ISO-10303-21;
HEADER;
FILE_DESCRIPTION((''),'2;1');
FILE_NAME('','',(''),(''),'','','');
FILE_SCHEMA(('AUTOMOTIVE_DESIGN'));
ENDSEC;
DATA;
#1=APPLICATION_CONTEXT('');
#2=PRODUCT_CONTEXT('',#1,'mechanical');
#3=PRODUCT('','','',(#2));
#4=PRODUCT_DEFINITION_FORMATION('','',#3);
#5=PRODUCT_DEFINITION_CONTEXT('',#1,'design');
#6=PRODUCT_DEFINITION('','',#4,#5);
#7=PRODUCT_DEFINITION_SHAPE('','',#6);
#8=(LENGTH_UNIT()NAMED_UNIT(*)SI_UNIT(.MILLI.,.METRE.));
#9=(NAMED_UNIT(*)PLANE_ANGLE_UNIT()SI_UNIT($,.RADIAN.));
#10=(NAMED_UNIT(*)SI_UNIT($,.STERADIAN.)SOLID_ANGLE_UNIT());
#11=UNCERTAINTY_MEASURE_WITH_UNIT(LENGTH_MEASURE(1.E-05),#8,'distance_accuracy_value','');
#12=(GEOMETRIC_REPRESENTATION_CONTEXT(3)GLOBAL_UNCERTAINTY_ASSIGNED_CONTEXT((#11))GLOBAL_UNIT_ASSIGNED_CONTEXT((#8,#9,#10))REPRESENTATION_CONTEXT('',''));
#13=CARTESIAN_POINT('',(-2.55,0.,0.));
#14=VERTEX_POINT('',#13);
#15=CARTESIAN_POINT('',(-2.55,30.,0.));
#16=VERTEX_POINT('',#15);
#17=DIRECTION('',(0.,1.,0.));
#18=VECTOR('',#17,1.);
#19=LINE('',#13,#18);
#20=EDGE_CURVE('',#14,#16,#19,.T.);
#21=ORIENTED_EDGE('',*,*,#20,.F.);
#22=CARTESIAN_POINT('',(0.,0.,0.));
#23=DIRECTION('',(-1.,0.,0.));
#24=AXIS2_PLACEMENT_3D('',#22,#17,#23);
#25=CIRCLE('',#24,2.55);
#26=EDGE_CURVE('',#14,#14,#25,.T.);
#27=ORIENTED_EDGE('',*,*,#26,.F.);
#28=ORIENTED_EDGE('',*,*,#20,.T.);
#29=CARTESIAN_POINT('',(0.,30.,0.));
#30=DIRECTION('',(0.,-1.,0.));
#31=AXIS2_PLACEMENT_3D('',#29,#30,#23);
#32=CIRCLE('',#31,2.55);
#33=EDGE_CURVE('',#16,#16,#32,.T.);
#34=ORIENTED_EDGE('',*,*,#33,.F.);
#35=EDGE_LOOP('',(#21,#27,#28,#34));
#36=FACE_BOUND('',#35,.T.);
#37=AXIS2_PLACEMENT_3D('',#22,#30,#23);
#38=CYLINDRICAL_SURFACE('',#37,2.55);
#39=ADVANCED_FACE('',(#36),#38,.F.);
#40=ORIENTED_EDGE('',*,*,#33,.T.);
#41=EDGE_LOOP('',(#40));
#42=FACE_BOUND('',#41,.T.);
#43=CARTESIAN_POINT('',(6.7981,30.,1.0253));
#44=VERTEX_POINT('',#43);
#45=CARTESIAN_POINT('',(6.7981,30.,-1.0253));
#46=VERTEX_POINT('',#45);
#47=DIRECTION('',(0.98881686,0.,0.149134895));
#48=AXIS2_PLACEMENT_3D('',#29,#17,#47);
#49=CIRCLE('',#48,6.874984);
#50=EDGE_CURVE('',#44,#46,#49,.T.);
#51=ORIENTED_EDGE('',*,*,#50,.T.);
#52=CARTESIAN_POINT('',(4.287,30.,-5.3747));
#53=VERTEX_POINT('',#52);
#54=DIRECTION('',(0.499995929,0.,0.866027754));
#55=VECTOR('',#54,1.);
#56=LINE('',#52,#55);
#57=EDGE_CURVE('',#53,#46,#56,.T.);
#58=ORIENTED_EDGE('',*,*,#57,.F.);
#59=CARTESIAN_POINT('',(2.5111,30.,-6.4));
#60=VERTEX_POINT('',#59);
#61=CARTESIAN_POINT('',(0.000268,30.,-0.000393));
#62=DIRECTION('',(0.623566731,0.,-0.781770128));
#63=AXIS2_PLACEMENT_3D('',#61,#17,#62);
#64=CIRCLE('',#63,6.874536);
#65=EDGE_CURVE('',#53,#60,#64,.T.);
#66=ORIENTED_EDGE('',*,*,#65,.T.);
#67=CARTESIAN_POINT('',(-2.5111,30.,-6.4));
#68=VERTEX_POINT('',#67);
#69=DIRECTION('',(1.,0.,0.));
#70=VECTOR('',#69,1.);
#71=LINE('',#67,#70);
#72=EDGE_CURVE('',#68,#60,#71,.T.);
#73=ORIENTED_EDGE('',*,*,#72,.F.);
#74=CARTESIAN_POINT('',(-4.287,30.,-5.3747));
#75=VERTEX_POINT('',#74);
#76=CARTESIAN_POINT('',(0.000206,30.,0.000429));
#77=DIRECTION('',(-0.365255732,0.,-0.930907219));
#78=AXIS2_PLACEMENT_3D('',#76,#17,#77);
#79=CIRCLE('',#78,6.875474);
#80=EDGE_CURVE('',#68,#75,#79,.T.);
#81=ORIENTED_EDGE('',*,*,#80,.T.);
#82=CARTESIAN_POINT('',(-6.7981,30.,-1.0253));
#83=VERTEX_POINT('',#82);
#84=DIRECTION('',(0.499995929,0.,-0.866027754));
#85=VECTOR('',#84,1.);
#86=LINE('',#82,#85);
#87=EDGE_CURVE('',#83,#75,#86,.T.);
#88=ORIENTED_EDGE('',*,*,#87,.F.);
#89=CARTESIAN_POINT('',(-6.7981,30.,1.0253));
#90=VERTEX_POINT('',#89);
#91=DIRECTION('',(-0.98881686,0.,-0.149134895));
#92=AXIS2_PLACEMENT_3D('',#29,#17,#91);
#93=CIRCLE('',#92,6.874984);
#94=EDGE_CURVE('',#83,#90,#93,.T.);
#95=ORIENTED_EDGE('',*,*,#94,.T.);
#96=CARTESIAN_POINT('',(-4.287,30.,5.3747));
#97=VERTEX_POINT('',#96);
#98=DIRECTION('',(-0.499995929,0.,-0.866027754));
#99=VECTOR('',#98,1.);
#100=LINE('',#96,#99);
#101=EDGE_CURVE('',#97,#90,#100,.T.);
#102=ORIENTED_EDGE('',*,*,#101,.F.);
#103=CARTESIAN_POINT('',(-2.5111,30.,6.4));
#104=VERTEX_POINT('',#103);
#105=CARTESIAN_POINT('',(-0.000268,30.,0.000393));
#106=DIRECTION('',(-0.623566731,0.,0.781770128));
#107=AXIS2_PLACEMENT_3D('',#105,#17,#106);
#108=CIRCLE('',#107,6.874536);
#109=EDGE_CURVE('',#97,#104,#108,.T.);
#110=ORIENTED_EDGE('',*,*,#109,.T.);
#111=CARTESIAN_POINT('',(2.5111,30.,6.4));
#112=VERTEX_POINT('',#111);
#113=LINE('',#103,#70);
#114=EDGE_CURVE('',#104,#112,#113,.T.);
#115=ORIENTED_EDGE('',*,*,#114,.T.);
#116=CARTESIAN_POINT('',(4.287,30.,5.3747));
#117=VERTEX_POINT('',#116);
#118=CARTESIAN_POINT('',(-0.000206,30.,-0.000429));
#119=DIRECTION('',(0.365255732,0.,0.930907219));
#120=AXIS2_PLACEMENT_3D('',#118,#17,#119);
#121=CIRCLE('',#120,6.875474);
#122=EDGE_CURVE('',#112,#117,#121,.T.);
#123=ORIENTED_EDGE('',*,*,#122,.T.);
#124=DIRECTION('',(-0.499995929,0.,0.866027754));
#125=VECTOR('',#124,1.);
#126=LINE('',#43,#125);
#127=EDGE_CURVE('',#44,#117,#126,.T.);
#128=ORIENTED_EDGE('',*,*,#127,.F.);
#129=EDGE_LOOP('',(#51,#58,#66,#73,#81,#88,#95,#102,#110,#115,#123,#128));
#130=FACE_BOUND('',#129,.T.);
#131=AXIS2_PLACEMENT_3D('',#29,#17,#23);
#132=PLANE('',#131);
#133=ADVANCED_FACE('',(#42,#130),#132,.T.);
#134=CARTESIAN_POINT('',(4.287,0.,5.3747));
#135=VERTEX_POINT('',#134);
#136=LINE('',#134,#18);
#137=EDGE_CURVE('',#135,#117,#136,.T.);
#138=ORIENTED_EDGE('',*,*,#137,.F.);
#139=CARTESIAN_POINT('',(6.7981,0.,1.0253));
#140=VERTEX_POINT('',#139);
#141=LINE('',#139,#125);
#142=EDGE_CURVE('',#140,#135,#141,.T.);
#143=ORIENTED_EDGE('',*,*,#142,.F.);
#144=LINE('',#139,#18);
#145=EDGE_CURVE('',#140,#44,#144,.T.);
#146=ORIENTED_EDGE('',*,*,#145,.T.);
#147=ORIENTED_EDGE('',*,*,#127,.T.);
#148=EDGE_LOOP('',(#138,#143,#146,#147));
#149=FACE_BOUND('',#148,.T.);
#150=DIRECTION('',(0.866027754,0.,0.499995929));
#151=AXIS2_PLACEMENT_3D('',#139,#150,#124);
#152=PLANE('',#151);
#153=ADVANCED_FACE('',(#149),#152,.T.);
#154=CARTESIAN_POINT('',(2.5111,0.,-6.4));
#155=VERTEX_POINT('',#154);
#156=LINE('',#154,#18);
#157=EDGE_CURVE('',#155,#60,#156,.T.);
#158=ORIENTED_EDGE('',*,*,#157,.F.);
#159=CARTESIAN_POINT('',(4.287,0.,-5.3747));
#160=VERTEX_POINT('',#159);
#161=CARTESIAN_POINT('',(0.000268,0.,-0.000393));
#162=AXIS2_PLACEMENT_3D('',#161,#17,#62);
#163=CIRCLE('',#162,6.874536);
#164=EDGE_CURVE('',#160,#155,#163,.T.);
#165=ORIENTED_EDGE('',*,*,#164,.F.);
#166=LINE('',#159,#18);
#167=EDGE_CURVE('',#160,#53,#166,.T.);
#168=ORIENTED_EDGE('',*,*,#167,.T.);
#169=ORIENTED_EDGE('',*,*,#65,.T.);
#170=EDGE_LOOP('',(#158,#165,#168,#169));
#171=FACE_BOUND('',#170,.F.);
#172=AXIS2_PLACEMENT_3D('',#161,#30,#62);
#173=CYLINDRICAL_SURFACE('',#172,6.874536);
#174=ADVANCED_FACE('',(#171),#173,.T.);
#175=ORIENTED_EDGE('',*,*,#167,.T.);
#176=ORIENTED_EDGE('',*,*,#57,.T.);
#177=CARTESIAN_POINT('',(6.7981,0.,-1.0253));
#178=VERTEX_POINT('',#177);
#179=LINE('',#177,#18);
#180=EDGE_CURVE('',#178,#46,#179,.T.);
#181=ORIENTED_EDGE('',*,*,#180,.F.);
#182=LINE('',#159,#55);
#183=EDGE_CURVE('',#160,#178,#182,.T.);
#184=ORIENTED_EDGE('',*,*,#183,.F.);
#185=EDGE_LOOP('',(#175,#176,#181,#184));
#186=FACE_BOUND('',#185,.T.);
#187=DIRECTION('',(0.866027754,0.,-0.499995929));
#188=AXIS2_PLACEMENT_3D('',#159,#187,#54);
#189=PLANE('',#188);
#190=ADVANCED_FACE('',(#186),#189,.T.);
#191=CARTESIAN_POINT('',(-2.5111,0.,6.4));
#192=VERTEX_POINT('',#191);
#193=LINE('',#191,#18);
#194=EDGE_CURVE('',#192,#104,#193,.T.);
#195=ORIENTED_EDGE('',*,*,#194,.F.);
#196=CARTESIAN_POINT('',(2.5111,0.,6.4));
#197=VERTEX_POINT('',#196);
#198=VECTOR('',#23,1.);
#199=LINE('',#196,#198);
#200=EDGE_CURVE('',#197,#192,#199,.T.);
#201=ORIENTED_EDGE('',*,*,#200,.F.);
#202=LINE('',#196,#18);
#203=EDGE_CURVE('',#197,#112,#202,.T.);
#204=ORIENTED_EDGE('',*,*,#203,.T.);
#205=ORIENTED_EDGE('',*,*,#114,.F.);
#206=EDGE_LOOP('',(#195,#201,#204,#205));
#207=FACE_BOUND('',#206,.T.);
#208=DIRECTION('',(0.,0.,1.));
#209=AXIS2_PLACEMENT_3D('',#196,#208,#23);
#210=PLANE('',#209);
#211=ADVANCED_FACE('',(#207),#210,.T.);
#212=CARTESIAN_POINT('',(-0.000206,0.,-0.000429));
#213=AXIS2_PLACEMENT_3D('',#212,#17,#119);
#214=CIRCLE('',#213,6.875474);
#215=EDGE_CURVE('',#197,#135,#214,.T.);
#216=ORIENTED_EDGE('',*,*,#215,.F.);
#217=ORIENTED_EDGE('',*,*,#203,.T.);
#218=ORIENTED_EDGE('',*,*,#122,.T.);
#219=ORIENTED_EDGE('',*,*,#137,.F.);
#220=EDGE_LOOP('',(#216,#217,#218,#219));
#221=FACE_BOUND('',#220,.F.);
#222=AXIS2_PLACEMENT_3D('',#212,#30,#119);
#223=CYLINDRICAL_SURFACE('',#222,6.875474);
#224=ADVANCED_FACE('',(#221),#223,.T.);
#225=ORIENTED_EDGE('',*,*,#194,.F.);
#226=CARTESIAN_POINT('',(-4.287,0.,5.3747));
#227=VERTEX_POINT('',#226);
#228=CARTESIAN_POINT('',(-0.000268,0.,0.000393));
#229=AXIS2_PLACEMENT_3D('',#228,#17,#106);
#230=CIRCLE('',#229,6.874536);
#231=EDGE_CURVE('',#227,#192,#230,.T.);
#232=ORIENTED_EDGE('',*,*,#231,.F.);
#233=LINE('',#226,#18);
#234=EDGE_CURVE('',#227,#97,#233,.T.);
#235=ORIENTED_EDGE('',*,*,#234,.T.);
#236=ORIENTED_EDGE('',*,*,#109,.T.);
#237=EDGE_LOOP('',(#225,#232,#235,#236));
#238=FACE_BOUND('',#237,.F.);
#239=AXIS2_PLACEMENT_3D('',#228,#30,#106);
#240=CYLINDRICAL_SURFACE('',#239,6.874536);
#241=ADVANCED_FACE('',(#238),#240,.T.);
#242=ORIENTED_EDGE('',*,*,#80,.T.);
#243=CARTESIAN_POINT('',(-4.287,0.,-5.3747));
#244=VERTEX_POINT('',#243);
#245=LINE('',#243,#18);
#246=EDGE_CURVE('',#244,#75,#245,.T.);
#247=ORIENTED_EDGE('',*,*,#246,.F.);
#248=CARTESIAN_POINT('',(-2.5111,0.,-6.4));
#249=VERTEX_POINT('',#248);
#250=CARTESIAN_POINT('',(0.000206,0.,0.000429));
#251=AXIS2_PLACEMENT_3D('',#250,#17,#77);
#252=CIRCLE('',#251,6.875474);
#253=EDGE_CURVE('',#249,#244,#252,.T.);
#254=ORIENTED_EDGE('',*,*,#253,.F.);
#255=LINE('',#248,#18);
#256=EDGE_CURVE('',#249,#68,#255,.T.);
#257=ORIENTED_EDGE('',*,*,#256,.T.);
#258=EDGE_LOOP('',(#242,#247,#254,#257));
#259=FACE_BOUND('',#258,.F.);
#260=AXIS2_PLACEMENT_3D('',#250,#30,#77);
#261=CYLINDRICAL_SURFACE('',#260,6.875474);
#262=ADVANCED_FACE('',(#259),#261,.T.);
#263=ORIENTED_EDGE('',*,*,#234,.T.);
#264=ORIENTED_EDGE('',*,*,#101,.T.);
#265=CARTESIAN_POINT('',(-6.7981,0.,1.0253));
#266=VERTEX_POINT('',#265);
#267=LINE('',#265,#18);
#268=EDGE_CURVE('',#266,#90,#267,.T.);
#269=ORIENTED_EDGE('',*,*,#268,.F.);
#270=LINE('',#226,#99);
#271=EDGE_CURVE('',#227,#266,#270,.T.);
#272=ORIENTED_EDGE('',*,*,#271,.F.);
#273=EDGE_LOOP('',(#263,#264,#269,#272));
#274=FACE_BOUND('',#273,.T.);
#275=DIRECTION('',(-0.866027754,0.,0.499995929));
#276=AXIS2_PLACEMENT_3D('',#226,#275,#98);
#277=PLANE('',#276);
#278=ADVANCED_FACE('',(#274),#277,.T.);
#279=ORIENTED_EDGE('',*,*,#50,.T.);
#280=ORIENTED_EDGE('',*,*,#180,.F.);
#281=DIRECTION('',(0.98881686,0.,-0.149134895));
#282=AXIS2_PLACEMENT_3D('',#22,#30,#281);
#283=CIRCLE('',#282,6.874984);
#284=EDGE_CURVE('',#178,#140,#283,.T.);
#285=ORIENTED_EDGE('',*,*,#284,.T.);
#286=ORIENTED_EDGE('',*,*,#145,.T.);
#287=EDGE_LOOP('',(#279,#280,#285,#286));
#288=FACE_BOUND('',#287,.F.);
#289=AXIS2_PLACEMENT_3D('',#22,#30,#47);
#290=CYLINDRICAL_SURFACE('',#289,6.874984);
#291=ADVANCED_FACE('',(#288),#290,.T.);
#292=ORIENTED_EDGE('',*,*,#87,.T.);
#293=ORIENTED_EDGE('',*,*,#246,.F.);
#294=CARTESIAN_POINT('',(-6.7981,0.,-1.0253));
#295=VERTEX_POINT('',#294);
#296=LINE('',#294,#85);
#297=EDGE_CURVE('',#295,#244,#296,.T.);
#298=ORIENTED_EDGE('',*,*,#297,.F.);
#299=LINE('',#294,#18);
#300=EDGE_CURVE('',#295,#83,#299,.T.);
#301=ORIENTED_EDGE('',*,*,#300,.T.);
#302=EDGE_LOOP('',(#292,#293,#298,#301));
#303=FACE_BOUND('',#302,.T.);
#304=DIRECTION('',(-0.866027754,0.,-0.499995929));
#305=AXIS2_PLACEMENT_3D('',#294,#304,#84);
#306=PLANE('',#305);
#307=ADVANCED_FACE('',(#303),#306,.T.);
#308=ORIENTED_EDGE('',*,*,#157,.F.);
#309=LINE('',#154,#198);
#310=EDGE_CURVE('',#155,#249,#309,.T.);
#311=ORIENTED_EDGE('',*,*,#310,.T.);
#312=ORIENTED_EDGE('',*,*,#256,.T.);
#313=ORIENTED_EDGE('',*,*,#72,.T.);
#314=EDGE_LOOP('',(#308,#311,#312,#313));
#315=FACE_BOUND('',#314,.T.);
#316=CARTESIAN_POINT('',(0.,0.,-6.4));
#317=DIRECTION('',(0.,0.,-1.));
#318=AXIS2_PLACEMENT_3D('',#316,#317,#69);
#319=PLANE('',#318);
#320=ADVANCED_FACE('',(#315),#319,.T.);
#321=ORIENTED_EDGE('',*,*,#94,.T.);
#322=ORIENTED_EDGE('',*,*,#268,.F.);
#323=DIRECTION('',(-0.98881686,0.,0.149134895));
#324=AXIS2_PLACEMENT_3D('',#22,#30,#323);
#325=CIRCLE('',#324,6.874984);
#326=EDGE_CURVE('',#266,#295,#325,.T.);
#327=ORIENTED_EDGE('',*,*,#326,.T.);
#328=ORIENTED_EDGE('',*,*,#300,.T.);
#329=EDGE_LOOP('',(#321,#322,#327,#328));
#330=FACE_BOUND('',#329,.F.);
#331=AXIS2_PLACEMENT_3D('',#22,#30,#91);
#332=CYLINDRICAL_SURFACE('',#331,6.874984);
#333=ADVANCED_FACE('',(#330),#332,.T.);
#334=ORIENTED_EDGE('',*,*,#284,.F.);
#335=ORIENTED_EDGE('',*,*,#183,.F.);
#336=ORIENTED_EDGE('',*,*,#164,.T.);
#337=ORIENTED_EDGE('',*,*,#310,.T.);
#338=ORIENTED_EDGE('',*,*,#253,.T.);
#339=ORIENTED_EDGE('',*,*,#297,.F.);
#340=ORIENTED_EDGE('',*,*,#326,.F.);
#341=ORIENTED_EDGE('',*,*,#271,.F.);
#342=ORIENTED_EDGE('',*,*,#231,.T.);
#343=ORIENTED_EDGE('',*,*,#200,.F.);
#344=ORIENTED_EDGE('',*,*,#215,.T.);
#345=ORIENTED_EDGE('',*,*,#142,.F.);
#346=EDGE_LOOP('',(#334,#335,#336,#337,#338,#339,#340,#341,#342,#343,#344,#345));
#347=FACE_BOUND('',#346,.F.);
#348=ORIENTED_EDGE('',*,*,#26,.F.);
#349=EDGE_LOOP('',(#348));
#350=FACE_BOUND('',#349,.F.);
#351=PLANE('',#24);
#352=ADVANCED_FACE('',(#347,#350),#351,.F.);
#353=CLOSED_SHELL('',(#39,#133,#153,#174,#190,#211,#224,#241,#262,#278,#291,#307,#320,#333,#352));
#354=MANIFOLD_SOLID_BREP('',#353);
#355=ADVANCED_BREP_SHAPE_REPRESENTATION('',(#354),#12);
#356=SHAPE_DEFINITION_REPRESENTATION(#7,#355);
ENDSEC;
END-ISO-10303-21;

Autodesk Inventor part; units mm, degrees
ref_plane "YZ Plane" through (0, 0, 0) normal (1, 0, 0) x (0, 1, 0)
ref_plane "XZ Plane" through (0, 0, 0) normal (0, 1, 0) x (-1, 0, 0)
ref_plane "XY Plane" through (0, 0, 0) normal (0, 0, 1) x (1, 0, 0)
sketch "Sketch1" plane through (0, 0, 0) normal (0, 1, 0) x (-1, 0, 0)
  line L0 (0, -9.0532) -> (0, 9.0532) projected
  line L1 (-9.625, 0) -> (9.625, 0) projected
  line L2 (-4.287, -5.3747) -> (-6.7981, -1.0253)
  line L3 (-6.7981, 1.0253) -> (-4.287, 5.3747)
  line L4 (-2.5111, 6.4) -> (2.5111, 6.4)
  line L5 (4.287, 5.3747) -> (6.7981, 1.0253)
  line L6 (6.7981, -1.0253) -> (4.287, -5.3747)
  line L7 (2.5111, -6.4) -> (-2.5111, -6.4)
  circle A0 centre (0, 0) radius 2.55
  arc A1 (2.5111, -6.4) -> (4.287, -5.3747) centre (0, 0) ccw
  arc A2 (-4.287, -5.3747) -> (-2.5111, -6.4) centre (0, 0) ccw
  arc A3 (-6.7981, 1.0253) -> (-6.7981, -1.0253) centre (0, 0) ccw
  arc A4 (-2.5111, 6.4) -> (-4.287, 5.3747) centre (0, 0) ccw
  arc A5 (6.7981, -1.0253) -> (6.7981, 1.0253) centre (0, 0) ccw
  arc A6 (4.287, 5.3747) -> (2.5111, 6.4) centre (0, 0) ccw
  dimension "d0" = 12.8
  dimension "d5" = 5.1
extrude "Extrusion2" add sketch "Sketch1" along normal blind 30 contours L7 A2 L2 A3 L1 A0 L0 | L0 A0 L1 A5 L6 A1 L7 | L1 A3 L3 A4 L4 L0 A0 | A0 L0 L4 A6 L5 A5 L1
properties part number "ThunderHex_BaseModel"
